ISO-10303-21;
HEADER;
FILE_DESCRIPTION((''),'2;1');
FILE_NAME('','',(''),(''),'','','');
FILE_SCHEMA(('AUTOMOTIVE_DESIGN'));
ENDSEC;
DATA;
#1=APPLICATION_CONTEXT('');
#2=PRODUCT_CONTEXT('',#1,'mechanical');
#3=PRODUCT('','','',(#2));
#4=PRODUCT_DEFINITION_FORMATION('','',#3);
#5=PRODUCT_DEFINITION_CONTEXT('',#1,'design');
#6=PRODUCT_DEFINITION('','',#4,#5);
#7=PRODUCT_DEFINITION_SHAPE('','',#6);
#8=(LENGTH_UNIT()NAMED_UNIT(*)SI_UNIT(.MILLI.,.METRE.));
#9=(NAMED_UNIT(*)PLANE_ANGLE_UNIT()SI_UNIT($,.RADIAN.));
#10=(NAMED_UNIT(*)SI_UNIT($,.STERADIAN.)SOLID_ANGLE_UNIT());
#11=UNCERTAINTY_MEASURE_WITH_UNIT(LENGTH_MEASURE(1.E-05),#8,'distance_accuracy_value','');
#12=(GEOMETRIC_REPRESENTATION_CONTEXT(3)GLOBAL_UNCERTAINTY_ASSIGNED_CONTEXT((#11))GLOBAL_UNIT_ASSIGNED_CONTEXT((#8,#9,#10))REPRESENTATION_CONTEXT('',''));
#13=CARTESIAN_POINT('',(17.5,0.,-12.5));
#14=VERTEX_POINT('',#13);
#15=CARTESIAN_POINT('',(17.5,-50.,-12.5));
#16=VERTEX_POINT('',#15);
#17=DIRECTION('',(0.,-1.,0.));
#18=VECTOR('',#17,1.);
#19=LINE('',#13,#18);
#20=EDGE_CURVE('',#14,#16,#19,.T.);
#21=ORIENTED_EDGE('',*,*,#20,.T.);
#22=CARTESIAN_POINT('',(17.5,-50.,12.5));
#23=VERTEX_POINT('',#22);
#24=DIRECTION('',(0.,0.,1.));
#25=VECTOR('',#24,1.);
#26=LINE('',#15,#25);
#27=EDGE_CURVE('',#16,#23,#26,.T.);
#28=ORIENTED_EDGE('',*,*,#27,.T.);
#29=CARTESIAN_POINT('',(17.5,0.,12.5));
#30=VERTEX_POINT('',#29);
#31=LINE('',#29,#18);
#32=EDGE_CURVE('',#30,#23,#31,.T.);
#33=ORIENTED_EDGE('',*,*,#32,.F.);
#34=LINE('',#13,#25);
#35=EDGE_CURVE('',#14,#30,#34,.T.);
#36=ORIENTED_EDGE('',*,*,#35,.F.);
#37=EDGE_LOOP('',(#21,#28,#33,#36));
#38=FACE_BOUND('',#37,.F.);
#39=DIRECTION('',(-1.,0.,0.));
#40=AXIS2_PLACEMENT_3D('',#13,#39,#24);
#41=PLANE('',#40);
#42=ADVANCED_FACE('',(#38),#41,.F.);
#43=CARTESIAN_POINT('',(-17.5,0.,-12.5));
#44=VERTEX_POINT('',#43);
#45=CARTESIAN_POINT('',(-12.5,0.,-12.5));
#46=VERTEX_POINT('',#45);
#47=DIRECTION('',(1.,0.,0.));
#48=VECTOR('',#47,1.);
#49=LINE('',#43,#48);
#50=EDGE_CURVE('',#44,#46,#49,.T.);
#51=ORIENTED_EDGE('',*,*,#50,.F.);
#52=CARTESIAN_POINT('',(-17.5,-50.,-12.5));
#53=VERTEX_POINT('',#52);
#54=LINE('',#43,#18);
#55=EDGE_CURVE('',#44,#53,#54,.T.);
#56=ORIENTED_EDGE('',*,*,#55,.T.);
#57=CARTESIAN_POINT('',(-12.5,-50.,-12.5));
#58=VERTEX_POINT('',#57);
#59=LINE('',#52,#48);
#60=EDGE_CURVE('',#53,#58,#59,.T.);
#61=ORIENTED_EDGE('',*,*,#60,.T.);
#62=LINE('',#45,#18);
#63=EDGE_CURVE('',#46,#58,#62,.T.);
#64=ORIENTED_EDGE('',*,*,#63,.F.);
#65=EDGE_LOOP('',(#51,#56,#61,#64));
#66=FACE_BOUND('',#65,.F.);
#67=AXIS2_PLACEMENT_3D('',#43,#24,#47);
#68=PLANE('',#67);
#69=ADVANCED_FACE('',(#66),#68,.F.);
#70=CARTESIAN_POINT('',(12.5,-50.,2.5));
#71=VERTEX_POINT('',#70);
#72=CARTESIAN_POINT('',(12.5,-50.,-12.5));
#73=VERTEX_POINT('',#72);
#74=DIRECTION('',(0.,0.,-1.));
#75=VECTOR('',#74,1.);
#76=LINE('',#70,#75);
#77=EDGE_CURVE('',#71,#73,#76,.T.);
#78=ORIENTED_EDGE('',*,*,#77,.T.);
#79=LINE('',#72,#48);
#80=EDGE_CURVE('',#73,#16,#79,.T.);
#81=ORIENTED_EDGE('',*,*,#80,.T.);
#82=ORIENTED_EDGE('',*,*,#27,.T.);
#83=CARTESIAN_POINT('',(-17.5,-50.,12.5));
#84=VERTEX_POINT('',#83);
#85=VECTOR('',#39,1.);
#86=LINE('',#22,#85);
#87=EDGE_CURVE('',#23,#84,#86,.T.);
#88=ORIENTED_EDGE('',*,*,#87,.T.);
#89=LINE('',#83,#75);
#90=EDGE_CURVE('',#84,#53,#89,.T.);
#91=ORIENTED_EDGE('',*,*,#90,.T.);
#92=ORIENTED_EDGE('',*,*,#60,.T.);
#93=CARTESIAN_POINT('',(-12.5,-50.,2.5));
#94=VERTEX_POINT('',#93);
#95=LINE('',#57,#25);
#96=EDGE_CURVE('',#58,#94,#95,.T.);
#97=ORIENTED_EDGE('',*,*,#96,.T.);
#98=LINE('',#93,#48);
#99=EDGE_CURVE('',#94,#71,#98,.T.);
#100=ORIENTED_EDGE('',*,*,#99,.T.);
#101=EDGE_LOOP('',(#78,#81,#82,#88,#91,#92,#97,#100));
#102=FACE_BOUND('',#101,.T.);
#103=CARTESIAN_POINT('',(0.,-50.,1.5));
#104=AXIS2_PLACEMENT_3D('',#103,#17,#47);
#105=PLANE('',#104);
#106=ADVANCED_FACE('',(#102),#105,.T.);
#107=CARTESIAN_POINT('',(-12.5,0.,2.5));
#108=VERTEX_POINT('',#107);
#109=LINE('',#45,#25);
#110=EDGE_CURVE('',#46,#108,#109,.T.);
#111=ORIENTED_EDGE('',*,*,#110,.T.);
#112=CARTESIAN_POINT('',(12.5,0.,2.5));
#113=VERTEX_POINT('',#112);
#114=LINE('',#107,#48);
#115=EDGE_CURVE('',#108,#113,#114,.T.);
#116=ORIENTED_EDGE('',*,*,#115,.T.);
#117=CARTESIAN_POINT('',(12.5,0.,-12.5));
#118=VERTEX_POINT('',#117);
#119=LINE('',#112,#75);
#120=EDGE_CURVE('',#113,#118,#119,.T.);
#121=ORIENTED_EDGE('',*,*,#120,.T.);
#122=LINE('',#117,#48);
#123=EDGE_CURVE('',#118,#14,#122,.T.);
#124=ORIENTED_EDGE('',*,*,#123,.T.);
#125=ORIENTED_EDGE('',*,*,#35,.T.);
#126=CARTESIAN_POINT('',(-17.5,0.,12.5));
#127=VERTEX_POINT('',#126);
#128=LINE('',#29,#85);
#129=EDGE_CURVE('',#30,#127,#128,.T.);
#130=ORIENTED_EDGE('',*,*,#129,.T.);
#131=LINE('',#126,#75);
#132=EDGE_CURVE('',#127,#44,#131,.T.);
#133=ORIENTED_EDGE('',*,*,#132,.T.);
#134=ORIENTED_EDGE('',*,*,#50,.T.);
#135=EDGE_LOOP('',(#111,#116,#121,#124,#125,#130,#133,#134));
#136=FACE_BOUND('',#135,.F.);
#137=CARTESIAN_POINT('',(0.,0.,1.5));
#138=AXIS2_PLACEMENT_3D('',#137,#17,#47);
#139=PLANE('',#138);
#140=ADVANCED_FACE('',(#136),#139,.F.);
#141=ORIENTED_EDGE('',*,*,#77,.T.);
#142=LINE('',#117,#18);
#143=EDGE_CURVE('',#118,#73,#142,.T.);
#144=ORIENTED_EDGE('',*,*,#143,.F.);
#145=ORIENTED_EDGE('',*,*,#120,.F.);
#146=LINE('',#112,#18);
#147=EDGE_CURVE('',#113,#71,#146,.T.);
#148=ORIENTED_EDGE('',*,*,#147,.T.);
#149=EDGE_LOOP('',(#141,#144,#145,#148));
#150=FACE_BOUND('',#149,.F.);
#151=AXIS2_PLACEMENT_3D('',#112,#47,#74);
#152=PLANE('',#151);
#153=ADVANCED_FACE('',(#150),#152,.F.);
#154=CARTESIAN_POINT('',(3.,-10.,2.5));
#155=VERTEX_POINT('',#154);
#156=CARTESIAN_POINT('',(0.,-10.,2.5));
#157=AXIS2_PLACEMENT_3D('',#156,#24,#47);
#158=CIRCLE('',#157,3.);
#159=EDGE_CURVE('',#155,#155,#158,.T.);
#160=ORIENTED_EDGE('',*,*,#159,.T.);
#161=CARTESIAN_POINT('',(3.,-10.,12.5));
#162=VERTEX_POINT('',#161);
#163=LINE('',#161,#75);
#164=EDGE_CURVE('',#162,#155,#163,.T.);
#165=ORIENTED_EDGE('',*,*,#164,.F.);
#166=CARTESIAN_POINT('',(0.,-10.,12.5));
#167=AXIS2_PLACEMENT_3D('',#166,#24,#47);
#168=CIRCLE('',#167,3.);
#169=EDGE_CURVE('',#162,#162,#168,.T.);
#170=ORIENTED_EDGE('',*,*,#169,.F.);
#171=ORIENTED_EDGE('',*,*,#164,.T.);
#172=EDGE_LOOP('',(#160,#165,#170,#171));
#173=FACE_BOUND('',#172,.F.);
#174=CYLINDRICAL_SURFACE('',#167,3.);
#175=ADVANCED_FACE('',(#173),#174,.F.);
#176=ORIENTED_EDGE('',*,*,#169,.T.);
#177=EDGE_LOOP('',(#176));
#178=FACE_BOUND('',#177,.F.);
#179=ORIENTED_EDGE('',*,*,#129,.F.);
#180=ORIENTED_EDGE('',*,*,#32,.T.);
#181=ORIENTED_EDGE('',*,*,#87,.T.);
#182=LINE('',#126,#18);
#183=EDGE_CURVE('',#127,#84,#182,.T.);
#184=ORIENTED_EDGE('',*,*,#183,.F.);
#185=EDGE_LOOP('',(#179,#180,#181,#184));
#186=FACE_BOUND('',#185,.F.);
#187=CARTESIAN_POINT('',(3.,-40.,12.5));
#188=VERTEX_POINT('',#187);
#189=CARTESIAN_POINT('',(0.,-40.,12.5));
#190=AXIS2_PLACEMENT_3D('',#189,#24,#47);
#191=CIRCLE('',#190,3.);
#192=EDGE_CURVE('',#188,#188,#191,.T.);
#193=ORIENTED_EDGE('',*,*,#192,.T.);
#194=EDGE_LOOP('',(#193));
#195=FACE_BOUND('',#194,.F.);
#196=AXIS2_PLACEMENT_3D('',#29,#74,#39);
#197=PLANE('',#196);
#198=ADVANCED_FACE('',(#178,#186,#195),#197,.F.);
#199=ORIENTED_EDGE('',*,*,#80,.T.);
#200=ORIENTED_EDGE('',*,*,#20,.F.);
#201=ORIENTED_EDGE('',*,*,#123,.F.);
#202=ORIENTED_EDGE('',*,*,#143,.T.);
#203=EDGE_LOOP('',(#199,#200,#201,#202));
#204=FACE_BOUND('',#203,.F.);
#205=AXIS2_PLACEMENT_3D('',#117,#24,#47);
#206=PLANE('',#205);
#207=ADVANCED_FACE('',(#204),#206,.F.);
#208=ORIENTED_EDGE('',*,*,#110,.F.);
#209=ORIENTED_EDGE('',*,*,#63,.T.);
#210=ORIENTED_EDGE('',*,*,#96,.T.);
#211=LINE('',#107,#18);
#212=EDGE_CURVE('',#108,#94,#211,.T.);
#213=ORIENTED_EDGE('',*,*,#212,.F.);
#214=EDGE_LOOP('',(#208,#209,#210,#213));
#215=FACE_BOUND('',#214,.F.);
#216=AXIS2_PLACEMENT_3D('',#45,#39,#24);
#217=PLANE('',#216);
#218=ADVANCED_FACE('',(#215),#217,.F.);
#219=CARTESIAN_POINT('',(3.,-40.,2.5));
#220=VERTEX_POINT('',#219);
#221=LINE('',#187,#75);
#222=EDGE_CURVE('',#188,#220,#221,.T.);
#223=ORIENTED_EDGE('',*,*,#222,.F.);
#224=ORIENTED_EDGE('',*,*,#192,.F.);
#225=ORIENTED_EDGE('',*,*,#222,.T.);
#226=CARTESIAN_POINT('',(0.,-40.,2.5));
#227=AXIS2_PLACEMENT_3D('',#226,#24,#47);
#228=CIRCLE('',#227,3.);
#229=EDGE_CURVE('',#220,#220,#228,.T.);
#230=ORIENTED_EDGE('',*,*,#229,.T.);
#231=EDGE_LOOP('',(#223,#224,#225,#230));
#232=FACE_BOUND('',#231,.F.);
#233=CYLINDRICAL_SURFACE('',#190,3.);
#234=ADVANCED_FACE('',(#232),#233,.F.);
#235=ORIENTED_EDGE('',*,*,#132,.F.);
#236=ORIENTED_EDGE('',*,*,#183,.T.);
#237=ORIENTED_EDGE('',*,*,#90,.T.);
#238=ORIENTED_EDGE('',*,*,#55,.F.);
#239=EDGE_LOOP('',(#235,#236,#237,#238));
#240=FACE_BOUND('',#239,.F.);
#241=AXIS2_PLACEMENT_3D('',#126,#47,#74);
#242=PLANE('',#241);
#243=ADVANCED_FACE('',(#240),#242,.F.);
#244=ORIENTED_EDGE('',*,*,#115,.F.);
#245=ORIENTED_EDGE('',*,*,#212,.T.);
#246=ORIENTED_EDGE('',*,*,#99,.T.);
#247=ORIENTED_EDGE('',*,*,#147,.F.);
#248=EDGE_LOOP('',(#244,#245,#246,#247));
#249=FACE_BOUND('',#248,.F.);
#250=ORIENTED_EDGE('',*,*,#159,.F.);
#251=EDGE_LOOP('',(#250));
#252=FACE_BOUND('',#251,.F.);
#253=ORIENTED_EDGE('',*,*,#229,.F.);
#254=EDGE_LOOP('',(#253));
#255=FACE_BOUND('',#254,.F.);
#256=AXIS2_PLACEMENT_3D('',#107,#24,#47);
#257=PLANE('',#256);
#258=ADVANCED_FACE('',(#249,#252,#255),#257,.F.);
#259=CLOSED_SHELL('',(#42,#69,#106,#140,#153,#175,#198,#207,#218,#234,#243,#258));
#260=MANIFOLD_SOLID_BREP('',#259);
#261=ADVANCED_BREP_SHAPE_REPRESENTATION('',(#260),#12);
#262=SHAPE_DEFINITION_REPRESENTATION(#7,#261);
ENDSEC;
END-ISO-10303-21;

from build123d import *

# Parameters (mm, degrees)
F1_DEPTH = 50
F2_R     = 3
F3_DEPTH = 25


with BuildPart() as f1:
    # F0 (on Front) → F1 (new body)
    with BuildSketch(Plane.XZ):
        Polygon((-17.5, 12.5), (-17.5, -12.5), (-12.5, -12.5), (-12.5, 2.5), (12.5, 2.5), (12.5, -12.5), (17.5, -12.5), (17.5, 12.5), align=None)
    extrude(amount=F1_DEPTH)

    # F2 (on face) → F3 (cut)
    with BuildSketch(Plane.XY.offset(12.5)):
        with Locations((0, -10)):
            Circle(F2_R)
        with Locations((0, -40)):
            Circle(F2_R)
    extrude(amount=-F3_DEPTH, mode=Mode.SUBTRACT)


solid = f1.part
